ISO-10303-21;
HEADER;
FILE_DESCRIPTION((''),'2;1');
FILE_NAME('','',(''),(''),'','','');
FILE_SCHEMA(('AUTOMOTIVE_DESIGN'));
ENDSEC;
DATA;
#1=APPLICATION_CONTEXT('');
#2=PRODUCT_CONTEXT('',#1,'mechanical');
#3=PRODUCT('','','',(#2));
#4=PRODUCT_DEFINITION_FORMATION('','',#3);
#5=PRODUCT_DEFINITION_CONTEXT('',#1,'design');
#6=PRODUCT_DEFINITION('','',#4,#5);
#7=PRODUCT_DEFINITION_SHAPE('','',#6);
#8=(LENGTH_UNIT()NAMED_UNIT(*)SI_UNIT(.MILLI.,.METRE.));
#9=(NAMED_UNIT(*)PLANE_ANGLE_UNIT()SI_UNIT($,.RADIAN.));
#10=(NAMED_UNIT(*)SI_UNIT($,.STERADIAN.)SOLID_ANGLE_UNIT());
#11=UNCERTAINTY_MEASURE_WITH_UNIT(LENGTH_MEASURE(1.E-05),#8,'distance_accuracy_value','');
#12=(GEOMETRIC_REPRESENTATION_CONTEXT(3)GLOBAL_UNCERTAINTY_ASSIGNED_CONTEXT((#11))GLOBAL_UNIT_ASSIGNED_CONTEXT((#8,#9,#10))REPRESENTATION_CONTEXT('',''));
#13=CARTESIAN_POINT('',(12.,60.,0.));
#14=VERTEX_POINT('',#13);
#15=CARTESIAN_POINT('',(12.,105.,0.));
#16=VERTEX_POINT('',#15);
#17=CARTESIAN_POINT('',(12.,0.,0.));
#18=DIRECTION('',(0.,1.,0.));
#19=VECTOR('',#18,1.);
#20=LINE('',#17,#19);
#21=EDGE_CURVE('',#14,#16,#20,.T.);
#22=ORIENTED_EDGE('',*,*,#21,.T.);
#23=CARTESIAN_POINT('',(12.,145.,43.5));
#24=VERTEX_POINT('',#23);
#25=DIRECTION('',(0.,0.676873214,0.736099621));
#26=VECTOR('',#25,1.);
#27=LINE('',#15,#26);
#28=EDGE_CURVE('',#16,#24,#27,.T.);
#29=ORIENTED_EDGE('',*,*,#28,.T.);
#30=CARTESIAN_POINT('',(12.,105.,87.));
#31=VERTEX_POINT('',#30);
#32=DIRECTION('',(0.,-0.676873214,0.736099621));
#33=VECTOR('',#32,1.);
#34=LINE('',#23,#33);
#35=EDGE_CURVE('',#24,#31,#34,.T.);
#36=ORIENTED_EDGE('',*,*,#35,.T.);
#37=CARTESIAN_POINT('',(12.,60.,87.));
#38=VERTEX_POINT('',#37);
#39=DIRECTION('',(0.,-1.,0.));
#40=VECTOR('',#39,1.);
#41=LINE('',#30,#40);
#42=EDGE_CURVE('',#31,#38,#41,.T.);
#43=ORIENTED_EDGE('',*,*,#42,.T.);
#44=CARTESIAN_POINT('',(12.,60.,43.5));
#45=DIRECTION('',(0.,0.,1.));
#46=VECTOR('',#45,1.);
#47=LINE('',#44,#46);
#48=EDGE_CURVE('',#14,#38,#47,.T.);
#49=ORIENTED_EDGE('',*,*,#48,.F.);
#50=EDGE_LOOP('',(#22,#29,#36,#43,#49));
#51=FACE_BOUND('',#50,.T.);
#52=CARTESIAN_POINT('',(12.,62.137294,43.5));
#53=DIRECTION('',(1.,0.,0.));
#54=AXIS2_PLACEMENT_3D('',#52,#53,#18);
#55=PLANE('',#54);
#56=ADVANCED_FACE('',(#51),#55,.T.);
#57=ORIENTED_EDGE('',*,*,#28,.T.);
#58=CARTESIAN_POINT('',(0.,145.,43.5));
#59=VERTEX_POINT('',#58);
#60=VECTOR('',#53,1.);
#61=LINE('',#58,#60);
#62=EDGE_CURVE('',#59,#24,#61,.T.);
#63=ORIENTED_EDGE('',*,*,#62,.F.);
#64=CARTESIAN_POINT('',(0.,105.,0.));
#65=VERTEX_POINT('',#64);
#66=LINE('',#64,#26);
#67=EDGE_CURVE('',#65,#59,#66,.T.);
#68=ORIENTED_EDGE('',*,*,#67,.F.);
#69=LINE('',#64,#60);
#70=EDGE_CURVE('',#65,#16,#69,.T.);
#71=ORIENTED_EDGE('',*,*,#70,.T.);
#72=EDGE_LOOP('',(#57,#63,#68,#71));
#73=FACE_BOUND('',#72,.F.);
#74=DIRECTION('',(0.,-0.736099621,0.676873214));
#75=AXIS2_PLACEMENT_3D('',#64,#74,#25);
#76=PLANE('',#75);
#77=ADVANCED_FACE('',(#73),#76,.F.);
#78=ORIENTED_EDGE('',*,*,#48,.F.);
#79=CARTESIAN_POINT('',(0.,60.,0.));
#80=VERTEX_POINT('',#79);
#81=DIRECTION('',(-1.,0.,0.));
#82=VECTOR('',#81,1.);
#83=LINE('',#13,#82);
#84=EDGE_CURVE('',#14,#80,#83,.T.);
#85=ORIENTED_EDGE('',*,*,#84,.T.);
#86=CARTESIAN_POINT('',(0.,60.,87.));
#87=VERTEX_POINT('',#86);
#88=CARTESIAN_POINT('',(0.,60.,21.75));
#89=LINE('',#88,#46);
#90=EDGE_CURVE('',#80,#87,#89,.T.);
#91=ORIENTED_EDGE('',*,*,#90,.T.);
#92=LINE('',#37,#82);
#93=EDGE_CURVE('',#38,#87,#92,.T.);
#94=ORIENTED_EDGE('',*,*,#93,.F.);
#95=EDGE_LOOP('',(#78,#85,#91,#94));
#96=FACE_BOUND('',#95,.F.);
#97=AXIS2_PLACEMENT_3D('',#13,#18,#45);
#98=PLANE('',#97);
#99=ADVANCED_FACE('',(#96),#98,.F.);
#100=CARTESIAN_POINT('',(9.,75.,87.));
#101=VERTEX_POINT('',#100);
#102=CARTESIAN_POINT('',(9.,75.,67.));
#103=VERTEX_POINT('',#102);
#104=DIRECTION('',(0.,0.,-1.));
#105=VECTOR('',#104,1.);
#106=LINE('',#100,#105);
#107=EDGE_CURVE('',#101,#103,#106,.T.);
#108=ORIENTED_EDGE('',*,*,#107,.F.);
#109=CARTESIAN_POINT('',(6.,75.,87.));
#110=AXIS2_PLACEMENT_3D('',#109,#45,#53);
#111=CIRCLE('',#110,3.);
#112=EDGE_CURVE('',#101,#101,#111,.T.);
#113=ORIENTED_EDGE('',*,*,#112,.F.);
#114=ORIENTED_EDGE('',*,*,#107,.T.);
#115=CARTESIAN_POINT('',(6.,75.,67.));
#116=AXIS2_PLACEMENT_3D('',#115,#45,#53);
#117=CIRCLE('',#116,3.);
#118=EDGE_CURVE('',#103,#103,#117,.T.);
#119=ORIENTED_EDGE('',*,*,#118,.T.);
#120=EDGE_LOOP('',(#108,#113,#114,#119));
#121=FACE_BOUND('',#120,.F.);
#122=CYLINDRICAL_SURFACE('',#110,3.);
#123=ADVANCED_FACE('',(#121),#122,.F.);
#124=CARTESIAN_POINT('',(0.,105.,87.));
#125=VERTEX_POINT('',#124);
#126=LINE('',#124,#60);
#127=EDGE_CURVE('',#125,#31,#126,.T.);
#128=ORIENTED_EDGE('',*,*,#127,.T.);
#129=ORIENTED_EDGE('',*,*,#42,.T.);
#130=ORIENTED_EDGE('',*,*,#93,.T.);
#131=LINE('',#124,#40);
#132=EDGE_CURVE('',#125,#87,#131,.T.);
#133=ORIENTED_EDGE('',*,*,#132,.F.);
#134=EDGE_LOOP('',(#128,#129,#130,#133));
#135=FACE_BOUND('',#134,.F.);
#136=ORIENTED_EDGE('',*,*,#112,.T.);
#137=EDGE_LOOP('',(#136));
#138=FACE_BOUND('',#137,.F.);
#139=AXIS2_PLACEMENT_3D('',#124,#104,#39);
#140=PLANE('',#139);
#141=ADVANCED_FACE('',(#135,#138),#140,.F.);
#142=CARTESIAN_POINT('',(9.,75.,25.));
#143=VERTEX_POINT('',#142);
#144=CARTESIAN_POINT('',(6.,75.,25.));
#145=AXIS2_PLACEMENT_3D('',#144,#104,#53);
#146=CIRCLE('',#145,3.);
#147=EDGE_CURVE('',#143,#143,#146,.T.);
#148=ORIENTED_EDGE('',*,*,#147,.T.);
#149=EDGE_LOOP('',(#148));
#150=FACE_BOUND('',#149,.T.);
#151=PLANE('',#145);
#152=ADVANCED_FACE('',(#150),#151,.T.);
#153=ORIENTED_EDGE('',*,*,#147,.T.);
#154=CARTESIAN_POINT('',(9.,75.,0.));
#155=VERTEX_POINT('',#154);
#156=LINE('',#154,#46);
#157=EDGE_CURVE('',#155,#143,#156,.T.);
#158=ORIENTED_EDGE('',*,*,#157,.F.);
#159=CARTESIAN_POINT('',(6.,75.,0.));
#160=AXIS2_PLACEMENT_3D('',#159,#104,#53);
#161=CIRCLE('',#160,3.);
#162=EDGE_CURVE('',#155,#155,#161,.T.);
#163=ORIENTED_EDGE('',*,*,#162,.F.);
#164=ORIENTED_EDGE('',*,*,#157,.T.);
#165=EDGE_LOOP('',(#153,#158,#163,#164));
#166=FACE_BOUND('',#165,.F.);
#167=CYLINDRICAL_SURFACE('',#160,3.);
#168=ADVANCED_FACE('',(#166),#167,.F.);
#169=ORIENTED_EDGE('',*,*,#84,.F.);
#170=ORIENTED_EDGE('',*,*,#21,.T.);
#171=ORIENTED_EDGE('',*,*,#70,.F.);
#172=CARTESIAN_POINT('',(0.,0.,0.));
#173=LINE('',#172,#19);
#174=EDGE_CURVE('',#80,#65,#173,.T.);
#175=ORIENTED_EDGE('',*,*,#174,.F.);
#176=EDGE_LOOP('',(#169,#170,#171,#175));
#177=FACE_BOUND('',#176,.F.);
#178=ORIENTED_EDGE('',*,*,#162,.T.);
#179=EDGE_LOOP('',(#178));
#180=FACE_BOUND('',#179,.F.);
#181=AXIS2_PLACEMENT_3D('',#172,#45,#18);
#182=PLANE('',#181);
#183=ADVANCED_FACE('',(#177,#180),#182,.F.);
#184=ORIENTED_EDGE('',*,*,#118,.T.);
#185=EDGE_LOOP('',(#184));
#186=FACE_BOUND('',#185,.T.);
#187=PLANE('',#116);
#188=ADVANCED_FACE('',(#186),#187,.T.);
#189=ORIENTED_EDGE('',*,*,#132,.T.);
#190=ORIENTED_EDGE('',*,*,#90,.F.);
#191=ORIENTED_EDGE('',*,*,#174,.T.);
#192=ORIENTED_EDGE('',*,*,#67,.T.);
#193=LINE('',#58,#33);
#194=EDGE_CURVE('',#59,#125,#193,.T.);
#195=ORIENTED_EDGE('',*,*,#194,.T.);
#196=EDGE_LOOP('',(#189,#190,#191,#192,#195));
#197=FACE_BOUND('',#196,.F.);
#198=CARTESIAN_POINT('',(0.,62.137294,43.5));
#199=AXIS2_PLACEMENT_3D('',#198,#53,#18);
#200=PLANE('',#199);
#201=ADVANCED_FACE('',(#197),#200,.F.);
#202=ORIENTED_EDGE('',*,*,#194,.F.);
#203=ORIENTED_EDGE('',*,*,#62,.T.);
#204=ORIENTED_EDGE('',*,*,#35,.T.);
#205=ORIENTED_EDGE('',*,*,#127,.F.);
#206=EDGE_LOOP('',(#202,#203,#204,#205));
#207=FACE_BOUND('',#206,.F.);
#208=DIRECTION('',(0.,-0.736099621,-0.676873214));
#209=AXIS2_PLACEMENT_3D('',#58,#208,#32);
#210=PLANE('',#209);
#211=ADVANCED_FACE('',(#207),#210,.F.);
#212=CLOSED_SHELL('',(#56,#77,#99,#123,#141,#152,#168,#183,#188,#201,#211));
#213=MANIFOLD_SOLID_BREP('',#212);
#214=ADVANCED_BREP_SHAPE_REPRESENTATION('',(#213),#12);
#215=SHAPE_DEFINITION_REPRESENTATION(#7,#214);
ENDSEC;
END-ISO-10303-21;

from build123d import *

# Parameters (mm, degrees)
F1_DEPTH = 12
F2_R     = 3
F3_DEPTH = 20
F4_R     = 3
F5_DEPTH = 25
F6_R     = 2
F7_DEPTH = 25
F8_W     = 60
F8_H     = 87
F9_DEPTH = 25


with BuildPart() as f1:
    # F0 (on Right) → F1 (new body)
    with BuildSketch(Plane.YZ):
        Polygon((0, 87), (0, 0), (105, 0), (145, 43.5), (105, 87), align=None)
    extrude(amount=F1_DEPTH)

    # F2 (on face) → F3 (cut)
    with BuildSketch(Plane.XY.offset(87)):
        with Locations((6, 15)):
            Circle(F2_R)
        with Locations((6, 45)):
            Circle(F2_R)
        with Locations((6, 75)):
            Circle(F2_R)
    extrude(amount=-F3_DEPTH, mode=Mode.SUBTRACT)

    # F4 (on face) → F5 (cut)
    with BuildSketch(Plane(origin=(0, 0, 0), x_dir=(1, 0, 0), z_dir=(0, 0, -1))):
        with BuildLine():
            Line((6, -15), (9, -15))
            ThreePointArc((9, -15), (8.12132, -12.87868), (6, -12))
            Line((6, -12), (6, -15))
        make_face()
        with BuildLine():
            ThreePointArc((9, -45), (8.12132, -42.87868), (6, -42))
            ThreePointArc((6, -42), (3.87868, -47.12132), (9, -45))
        make_face()
        with BuildLine():
            ThreePointArc((6, -18), (8.12132, -17.12132), (9, -15))
            Line((9, -15), (6, -15))
            Line((6, -15), (6, -18))
        make_face()
        with BuildLine():
            Line((6, -15), (6, -12))
            ThreePointArc((6, -12), (3, -15), (6, -18))
            Line((6, -18), (6, -15))
        make_face()
        with Locations((6, -75)):
            Circle(F4_R)
    extrude(amount=-F5_DEPTH, mode=Mode.SUBTRACT)

    # F6 (on face) → F7 (cut)
    with BuildSketch(Plane(origin=(0, 0, 0), x_dir=(0, -1, 0), z_dir=(-1, 0, 0))):
        with Locations((-6, 77)):
            Circle(F6_R)
        with Locations((-6, 10)):
            Circle(F6_R)
    extrude(amount=-F7_DEPTH, mode=Mode.SUBTRACT)

    # F8 (on face) → F9 (cut)
    with BuildSketch(Plane.YZ.offset(12)):
        with Locations((30, 43.5)):
            Rectangle(F8_W, F8_H)
    extrude(amount=-F9_DEPTH, mode=Mode.SUBTRACT)


solid = f1.part
